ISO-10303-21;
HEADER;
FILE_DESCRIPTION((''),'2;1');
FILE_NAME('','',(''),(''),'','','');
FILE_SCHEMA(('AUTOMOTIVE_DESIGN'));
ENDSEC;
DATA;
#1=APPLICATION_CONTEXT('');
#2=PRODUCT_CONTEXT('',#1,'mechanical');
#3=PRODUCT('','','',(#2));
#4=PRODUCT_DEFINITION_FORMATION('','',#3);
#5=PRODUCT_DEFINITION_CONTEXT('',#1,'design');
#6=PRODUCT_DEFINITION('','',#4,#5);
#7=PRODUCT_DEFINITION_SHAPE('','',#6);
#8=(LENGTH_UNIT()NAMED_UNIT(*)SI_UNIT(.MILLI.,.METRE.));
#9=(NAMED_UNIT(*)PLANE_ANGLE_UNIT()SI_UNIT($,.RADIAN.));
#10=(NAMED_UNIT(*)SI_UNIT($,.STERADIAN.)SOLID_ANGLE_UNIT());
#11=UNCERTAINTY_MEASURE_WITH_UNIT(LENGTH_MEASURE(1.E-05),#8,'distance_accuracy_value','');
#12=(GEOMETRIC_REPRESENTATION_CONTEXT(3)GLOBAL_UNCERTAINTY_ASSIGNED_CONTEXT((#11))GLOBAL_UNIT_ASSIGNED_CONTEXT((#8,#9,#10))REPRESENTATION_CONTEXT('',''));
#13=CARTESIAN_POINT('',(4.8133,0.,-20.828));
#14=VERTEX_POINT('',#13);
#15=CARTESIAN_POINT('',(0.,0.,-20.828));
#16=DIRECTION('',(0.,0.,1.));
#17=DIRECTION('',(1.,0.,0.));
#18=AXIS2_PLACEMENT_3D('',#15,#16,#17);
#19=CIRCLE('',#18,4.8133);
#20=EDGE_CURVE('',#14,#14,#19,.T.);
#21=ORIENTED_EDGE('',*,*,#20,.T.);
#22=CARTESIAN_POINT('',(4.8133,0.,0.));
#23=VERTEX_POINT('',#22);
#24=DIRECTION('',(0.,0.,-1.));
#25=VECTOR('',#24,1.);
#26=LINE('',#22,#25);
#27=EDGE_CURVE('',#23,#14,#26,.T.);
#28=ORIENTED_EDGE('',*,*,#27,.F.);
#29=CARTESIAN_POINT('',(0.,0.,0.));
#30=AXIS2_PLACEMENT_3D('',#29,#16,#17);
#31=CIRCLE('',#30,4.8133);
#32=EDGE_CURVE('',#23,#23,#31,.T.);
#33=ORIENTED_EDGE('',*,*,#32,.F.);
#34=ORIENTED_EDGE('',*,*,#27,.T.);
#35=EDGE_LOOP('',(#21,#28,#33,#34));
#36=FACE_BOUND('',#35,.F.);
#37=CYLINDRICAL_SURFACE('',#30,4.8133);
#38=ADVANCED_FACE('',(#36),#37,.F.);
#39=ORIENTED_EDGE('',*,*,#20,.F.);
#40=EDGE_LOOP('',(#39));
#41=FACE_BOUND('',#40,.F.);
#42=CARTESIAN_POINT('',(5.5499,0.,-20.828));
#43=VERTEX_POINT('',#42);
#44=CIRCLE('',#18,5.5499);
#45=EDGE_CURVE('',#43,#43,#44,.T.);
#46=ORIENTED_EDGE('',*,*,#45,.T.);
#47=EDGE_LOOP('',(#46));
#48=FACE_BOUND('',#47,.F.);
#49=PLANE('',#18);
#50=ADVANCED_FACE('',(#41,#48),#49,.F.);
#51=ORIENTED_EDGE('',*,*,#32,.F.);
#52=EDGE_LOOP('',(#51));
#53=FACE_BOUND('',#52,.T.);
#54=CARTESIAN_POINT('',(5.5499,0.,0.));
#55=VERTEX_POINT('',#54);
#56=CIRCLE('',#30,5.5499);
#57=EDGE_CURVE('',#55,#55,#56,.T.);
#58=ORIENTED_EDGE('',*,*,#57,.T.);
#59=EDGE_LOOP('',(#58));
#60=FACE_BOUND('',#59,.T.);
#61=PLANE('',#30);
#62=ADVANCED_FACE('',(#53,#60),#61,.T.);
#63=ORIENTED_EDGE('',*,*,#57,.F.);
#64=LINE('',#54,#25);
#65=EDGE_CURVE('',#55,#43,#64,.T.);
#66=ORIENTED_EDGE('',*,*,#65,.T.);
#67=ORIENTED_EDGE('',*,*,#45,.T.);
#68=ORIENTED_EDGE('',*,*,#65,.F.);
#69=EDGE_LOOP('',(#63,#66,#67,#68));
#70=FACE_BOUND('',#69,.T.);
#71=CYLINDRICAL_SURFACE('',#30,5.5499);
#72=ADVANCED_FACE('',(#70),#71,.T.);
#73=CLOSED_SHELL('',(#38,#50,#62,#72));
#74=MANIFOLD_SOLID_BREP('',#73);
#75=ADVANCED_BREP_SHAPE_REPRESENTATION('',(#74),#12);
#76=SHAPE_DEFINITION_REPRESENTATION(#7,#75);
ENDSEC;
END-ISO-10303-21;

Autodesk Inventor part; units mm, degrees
ref_plane "YZ Plane" through (0, 0, 0) normal (1, 0, 0) x (0, 1, 0)
ref_plane "XZ Plane" through (0, 0, 0) normal (0, 1, 0) x (-1, 0, 0)
ref_plane "XY Plane" through (0, 0, 0) normal (0, 0, 1) x (1, 0, 0)
sketch "Sketch1" plane through (0, 0, 0) normal (0, 0, 1) x (1, 0, 0)
  circle A0 centre (0, 0) radius 4.8133
  circle A1 centre (0, 0) radius 5.5499
  dimension "d0" = 9.6266
  dimension "d2" = 11.0998
extrude "Extrusion1" add sketch "Sketch1" against normal blind 20.828
properties part number "am-2243" material "Brass, Soft Yellow"
